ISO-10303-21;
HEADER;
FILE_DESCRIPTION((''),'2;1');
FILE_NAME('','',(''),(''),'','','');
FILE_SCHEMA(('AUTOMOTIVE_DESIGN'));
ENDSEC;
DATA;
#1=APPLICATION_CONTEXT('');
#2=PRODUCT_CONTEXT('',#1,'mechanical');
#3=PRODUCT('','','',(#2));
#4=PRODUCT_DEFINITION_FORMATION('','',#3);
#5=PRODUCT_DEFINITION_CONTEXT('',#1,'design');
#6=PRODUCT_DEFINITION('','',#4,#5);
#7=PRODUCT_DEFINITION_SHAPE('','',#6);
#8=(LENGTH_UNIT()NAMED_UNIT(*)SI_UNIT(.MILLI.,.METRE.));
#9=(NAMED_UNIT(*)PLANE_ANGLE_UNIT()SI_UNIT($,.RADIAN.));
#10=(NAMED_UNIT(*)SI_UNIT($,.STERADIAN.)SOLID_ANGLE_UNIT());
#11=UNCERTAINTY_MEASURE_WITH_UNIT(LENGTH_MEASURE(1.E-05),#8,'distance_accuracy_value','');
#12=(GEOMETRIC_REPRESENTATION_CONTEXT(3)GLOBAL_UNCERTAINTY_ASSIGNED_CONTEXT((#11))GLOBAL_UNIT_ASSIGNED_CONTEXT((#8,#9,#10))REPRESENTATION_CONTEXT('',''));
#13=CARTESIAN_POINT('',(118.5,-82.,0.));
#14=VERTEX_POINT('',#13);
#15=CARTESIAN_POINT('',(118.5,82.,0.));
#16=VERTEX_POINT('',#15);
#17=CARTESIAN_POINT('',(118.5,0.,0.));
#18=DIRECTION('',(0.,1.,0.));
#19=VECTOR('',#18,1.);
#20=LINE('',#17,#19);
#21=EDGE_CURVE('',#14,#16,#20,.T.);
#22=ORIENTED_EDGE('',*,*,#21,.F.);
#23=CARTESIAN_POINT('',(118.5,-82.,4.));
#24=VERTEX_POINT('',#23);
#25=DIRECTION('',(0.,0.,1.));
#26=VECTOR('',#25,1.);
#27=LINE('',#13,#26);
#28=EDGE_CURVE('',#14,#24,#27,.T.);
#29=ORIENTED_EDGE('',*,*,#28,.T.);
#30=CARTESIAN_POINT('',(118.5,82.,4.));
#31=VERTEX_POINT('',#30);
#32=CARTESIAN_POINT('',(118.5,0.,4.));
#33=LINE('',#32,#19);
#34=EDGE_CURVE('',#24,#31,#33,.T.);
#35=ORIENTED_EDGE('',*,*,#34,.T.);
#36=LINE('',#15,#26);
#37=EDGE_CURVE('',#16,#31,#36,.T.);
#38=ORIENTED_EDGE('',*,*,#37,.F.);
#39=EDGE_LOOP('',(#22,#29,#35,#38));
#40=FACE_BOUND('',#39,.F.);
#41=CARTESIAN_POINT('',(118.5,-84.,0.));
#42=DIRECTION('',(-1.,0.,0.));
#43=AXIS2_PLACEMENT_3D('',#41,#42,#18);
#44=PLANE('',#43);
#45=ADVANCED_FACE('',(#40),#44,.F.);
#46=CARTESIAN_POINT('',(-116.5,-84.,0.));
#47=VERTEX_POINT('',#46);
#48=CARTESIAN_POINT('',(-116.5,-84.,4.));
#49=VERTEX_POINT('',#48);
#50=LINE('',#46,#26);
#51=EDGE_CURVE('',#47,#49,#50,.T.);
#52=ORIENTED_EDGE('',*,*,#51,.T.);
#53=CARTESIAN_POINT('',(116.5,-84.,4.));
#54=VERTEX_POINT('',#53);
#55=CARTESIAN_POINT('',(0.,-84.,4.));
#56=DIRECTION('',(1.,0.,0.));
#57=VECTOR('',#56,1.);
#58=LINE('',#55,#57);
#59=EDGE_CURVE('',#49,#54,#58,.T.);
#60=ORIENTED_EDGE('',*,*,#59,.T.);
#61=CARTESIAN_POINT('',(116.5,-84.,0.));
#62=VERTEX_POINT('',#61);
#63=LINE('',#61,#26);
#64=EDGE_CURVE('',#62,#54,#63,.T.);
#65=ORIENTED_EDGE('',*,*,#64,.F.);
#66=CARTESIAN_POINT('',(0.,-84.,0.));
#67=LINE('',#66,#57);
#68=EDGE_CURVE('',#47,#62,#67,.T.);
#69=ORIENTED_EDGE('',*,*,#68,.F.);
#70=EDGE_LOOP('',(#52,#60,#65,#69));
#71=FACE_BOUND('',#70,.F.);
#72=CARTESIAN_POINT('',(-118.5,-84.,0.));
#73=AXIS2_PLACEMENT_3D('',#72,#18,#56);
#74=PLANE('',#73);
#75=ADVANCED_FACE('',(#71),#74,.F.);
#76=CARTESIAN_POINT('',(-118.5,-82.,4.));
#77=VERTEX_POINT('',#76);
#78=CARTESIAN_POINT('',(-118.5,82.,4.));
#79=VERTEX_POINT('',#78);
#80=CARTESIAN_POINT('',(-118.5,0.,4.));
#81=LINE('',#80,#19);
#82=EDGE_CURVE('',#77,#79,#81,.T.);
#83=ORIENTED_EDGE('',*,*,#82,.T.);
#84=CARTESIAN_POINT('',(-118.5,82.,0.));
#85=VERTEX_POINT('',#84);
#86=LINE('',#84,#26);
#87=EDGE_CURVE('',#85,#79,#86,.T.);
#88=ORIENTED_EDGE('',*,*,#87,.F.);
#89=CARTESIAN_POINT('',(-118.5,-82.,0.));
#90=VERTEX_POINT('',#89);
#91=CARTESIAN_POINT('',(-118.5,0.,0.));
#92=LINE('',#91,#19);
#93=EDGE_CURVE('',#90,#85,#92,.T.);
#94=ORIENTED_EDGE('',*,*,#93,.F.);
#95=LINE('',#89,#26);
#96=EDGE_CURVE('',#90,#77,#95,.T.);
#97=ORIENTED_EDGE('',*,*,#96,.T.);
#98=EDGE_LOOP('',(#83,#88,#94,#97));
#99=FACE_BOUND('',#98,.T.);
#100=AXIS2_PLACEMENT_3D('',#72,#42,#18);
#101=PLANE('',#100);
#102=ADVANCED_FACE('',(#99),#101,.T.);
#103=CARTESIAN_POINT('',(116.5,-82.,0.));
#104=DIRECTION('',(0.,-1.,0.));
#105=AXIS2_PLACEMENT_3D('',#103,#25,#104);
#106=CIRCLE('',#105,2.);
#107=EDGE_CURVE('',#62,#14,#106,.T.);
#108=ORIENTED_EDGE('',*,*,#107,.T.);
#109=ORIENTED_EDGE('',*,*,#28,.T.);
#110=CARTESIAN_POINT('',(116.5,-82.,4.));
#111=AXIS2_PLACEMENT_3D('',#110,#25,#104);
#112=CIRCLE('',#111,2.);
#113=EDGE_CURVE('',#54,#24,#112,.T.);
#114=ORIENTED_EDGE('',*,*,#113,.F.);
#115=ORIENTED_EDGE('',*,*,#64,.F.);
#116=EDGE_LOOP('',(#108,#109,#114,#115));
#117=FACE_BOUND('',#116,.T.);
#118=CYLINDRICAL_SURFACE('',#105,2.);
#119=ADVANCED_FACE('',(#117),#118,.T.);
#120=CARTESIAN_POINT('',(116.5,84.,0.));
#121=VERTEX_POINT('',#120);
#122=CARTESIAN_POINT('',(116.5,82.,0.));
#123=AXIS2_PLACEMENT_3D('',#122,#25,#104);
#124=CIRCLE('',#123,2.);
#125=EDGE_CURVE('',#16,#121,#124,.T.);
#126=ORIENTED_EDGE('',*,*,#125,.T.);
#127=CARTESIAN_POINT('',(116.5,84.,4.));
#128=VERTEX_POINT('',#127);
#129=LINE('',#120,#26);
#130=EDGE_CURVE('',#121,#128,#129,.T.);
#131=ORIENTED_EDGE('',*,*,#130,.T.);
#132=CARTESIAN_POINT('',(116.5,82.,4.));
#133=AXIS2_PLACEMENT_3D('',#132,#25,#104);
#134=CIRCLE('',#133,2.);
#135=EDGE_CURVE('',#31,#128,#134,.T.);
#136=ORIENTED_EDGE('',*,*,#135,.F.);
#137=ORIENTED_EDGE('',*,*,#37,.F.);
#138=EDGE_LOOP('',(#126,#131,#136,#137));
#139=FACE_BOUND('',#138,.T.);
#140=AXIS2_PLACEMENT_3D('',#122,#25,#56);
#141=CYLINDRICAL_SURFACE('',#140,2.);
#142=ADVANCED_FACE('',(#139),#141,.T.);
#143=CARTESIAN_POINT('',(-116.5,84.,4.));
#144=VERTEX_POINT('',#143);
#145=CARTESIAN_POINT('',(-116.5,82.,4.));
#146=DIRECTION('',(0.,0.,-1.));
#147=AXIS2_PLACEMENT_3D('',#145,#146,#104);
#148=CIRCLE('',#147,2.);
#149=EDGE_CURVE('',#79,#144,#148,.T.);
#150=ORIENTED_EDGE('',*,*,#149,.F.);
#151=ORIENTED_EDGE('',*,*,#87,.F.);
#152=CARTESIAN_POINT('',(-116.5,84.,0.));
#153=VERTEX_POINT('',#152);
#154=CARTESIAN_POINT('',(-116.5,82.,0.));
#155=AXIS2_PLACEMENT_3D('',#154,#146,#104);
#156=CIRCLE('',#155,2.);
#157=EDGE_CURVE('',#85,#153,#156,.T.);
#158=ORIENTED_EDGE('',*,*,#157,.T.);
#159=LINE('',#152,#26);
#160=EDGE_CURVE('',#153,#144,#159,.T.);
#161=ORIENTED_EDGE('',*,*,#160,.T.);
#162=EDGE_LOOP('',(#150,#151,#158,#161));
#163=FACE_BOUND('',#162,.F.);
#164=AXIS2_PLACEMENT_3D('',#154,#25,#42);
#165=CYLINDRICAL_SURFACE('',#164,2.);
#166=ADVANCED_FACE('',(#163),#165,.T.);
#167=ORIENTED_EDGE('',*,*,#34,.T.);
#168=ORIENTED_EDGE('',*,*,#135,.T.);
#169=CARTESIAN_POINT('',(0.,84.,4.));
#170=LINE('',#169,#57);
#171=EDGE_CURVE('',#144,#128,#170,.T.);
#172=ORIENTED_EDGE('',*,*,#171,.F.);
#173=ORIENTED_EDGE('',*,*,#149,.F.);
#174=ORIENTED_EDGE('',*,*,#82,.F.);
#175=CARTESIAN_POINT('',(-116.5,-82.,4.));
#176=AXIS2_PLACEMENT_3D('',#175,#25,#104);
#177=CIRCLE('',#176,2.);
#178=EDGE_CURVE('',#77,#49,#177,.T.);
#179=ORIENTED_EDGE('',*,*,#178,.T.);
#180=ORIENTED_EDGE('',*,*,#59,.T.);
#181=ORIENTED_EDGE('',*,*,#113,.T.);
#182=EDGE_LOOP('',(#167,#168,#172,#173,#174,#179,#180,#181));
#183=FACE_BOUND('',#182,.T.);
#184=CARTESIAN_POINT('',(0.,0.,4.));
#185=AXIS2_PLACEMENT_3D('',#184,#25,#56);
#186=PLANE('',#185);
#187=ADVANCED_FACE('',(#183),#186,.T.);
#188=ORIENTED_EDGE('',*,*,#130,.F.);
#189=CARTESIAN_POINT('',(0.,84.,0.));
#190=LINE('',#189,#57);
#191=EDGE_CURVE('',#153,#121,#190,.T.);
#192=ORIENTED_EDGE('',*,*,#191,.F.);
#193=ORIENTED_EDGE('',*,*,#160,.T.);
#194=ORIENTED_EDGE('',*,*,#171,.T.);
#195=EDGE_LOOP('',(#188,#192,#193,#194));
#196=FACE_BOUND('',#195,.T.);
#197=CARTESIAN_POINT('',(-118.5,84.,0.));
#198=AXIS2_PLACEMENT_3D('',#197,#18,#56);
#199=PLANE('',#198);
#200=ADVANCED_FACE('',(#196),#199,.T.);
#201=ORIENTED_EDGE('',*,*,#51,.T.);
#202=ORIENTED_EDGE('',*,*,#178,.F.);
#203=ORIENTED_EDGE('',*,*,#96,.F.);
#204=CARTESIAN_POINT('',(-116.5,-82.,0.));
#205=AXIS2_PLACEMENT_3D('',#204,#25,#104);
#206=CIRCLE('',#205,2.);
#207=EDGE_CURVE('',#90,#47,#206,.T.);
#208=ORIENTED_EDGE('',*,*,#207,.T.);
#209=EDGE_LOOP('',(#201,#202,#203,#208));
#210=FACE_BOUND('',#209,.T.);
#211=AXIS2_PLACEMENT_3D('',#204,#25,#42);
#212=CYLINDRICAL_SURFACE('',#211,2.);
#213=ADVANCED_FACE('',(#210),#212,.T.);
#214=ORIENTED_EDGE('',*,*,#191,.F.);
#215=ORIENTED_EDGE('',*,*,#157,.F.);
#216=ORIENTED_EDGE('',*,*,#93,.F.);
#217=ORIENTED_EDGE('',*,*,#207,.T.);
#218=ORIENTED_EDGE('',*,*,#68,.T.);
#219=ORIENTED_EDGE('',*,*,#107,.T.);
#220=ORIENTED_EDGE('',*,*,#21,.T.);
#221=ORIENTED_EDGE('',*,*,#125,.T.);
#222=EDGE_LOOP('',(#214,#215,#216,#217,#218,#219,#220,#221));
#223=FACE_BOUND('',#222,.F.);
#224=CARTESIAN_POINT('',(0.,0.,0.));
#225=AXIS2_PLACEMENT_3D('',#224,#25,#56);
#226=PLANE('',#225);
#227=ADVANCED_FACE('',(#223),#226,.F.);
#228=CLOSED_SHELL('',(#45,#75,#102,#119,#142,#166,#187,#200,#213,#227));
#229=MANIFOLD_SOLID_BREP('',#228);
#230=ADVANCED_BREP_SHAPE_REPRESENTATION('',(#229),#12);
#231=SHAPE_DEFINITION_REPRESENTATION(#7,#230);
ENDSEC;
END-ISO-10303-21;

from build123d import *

# Parameters (mm, degrees)
F0_W     = 237
F0_H     = 168
F1_DEPTH = 4
F2_R     = 2


with BuildPart() as f1:
    # F0 (on Top) → F1 (new body)
    with BuildSketch(Plane.XY):
        Rectangle(F0_W, F0_H)
    extrude(amount=F1_DEPTH)

    # F2
    f2_edges = [f1.edges().sort_by_distance(p)[0] for p in [
        (-118.5, -84, 2),
        (118.5, -84, 2),
        (118.5, 84, 2),
        (-118.5, 84, 2),
    ]]
    fillet(f2_edges, radius=F2_R)


solid = f1.part
